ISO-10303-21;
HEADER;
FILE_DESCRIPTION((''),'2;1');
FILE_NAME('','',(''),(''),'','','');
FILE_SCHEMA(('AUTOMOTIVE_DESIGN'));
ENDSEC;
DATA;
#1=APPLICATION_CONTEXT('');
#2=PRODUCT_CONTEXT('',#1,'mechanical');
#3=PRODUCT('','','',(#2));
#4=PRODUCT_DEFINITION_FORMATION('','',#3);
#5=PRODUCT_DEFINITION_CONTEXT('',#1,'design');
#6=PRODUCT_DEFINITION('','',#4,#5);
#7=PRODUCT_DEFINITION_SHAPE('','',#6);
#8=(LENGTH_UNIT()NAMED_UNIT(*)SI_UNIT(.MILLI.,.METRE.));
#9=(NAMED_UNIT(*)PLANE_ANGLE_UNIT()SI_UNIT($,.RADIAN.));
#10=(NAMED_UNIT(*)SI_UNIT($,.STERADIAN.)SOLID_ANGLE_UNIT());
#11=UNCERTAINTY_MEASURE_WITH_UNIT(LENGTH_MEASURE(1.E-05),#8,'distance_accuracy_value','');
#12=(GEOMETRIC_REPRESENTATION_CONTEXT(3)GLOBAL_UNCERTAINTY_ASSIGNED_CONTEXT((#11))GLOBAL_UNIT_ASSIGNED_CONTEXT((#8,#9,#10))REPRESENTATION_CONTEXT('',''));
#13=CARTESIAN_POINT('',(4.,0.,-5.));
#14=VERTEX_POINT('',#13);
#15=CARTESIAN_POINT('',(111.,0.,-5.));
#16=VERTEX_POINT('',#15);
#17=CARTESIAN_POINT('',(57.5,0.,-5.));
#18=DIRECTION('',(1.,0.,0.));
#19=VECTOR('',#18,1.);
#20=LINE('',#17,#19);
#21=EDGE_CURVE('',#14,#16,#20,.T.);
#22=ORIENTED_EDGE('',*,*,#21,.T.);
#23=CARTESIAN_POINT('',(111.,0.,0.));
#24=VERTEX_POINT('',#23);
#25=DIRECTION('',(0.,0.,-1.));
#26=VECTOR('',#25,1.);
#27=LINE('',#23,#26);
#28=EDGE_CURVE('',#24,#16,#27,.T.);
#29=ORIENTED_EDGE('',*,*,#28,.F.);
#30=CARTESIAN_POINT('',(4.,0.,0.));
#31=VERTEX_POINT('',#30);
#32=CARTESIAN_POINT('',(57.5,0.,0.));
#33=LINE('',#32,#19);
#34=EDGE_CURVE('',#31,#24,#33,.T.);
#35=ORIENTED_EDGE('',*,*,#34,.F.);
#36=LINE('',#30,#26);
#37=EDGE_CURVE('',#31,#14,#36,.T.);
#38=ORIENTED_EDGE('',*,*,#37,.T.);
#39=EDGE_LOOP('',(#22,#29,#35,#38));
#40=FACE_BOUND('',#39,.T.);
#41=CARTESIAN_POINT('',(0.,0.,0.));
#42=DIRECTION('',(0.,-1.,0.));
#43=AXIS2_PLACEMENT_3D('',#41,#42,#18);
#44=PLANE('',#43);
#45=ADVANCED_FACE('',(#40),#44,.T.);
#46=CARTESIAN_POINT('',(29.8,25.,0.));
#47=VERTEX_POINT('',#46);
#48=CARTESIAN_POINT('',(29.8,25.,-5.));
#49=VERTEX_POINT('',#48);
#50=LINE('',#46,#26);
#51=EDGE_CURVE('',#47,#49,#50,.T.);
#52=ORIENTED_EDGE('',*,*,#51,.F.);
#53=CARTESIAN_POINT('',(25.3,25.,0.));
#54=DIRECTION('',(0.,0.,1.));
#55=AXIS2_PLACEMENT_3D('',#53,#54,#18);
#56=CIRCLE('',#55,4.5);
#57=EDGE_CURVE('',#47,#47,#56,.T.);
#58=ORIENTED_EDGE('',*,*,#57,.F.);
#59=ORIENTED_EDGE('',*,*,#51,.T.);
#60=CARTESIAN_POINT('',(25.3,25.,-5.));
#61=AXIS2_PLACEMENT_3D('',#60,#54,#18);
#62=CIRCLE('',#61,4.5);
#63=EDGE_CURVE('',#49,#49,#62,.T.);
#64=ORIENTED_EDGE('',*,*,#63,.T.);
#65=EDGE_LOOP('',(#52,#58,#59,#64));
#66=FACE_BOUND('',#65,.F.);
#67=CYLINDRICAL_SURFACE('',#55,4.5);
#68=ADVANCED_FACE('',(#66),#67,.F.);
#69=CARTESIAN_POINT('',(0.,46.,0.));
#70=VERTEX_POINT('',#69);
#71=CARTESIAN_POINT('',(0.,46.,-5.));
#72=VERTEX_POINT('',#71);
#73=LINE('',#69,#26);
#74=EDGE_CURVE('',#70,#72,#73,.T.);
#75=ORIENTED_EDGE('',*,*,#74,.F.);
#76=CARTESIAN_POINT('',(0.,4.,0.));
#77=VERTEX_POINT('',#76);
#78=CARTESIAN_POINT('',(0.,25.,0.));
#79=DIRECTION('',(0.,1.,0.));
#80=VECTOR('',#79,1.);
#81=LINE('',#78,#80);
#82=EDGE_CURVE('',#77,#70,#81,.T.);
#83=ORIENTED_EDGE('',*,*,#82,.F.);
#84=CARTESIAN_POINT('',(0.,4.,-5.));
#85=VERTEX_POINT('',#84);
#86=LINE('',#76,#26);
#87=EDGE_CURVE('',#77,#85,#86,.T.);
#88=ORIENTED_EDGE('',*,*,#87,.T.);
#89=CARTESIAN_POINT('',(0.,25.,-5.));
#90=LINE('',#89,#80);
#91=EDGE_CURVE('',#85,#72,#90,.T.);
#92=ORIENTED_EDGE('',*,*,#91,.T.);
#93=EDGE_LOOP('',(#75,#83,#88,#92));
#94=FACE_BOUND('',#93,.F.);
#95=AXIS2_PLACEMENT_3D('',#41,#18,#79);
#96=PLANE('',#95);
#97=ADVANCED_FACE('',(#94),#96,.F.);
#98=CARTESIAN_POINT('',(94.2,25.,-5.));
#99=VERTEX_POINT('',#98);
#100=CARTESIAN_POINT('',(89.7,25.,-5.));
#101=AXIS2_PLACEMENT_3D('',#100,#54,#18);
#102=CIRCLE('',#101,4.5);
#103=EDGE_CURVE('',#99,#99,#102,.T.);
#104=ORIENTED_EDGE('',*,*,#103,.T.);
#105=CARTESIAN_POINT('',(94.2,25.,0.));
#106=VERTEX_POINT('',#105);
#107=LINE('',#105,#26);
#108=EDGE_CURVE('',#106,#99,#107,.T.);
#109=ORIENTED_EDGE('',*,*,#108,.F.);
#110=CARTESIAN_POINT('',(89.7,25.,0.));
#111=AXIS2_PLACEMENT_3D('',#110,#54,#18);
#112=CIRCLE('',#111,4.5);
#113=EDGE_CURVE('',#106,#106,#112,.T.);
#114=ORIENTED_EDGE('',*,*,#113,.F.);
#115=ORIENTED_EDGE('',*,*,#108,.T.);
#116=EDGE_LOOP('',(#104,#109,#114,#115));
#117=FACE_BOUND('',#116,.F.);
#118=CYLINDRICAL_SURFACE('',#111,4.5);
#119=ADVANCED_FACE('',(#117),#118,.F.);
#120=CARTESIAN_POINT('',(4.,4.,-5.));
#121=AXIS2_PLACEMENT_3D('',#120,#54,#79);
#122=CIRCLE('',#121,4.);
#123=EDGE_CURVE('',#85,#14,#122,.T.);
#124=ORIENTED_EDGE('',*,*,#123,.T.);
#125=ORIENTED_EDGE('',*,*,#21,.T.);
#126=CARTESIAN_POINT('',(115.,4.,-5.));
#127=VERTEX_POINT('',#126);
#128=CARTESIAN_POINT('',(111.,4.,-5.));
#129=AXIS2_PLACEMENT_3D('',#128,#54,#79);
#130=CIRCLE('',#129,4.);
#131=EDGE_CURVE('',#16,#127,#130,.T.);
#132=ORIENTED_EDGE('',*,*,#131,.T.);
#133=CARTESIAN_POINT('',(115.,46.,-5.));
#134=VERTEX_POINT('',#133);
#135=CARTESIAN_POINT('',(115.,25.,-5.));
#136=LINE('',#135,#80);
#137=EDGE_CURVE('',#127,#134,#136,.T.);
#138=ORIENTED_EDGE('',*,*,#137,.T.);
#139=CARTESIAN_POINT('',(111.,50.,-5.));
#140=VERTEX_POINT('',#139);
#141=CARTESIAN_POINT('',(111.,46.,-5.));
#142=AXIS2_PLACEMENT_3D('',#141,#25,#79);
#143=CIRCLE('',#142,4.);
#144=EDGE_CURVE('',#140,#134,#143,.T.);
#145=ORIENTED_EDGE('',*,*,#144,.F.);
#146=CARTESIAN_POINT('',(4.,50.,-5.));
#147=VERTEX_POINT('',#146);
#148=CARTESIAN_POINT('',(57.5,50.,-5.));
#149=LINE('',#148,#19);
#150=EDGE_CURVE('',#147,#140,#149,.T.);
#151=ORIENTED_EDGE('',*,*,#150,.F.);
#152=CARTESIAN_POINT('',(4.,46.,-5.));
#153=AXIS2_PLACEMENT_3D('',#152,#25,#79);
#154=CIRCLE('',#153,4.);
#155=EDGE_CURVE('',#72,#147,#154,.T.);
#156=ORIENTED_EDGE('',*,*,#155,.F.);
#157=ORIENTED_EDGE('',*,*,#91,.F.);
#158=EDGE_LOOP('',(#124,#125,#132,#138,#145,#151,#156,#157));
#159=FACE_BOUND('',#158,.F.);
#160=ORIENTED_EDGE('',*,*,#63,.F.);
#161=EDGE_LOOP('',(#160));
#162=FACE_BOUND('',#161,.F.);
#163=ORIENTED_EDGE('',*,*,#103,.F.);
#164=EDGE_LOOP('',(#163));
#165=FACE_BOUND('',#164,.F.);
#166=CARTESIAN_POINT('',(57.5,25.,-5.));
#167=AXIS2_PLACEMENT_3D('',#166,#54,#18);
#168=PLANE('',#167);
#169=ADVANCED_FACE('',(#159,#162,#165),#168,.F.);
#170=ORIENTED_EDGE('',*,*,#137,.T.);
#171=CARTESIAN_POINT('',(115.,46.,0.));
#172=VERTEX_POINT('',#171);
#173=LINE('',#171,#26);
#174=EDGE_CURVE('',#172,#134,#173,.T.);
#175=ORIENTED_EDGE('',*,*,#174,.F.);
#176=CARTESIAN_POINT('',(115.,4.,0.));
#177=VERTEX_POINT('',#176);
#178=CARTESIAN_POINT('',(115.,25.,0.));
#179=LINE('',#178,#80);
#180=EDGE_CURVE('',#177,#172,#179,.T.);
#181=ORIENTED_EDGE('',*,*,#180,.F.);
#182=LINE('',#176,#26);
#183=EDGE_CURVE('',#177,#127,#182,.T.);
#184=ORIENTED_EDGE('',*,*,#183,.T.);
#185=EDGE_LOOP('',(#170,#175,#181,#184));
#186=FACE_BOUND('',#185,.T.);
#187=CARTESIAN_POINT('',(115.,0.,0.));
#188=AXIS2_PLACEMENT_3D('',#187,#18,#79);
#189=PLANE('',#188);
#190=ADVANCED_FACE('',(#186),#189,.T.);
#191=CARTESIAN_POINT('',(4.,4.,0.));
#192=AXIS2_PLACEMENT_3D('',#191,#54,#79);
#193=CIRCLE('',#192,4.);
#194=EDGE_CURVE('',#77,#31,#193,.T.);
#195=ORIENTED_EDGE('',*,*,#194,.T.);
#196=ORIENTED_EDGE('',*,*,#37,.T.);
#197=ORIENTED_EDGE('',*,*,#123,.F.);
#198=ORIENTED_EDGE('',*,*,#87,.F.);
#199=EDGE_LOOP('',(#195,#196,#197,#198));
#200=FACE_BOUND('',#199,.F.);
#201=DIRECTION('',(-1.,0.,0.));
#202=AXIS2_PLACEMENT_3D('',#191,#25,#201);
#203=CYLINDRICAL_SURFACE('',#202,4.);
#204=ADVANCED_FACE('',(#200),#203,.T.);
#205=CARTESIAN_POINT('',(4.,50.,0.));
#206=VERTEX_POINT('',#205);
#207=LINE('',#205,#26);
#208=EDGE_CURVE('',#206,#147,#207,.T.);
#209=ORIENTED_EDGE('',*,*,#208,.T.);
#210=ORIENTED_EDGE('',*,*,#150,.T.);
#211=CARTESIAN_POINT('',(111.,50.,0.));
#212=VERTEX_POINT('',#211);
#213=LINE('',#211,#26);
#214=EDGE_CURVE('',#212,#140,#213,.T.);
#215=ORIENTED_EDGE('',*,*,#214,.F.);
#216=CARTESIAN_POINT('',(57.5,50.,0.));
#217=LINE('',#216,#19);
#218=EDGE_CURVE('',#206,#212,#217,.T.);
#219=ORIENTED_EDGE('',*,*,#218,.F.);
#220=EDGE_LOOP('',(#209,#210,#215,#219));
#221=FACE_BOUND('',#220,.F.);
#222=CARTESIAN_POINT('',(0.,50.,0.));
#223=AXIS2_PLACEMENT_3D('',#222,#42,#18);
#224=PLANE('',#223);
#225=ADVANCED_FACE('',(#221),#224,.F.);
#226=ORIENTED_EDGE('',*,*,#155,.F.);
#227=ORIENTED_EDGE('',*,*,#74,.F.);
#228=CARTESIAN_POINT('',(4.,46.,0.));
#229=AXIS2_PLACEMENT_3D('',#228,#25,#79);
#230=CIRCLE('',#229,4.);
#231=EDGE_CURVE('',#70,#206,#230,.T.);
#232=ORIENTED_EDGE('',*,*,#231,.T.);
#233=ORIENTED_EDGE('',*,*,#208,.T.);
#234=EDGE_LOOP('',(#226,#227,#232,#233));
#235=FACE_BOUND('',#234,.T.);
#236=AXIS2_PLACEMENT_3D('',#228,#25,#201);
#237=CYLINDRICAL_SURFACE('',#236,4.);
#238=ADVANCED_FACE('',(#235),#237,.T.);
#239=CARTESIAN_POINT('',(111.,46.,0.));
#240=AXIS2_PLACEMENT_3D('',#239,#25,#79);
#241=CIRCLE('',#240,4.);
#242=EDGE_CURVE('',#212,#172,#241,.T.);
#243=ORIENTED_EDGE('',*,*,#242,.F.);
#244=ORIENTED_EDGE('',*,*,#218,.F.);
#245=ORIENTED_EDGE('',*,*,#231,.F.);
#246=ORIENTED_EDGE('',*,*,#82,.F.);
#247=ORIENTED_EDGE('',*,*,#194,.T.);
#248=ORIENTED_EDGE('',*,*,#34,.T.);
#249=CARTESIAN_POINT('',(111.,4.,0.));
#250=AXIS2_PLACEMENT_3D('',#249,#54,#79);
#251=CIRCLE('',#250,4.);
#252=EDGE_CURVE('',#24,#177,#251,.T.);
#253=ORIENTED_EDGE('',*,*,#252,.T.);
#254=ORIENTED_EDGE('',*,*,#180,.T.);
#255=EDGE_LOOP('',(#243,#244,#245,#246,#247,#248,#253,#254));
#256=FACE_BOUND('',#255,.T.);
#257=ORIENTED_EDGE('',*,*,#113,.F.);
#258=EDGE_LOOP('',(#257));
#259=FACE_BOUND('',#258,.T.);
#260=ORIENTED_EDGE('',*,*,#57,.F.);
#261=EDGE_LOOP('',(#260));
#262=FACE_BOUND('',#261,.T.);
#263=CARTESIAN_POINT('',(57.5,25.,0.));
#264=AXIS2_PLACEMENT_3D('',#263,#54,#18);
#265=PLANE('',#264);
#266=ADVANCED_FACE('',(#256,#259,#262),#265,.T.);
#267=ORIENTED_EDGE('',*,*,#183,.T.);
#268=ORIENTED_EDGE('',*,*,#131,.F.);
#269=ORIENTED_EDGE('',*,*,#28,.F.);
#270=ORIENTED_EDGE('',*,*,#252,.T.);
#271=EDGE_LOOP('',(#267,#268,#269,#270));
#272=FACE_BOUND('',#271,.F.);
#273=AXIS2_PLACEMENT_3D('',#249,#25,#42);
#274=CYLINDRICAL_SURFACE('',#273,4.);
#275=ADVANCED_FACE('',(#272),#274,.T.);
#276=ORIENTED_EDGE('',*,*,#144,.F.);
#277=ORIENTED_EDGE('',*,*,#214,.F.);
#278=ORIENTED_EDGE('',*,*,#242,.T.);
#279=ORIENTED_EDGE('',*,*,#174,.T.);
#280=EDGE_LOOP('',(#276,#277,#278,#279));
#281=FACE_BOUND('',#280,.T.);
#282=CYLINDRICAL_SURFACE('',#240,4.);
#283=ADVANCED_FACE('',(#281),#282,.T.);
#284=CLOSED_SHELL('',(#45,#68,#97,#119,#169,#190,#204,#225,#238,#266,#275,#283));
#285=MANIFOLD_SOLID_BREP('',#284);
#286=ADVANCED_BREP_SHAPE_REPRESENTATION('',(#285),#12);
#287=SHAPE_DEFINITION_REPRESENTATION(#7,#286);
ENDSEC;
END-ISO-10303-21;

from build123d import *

# Parameters (mm, degrees)
F0_W     = 115
F0_H     = 50
F0_R     = 4.5
F1_DEPTH = 5
F2_R     = 4


with BuildPart() as f1:
    # F0 (on Top) → F1 (new body)
    with BuildSketch(Plane.XY):
        with Locations((57.5, 25)):
            Rectangle(F0_W, F0_H)
        with Locations((25.3, 25)):
            Circle(F0_R, mode=Mode.SUBTRACT)
        with Locations((89.7, 25)):
            Circle(F0_R, mode=Mode.SUBTRACT)
    extrude(amount=-F1_DEPTH)

    # F2
    f2_edges = [f1.edges().sort_by_distance(p)[0] for p in [
        (115, 0, -2.5),
        (0, 0, -2.5),
        (115, 50, -2.5),
        (0, 50, -2.5),
    ]]
    fillet(f2_edges, radius=F2_R)


solid = f1.part
